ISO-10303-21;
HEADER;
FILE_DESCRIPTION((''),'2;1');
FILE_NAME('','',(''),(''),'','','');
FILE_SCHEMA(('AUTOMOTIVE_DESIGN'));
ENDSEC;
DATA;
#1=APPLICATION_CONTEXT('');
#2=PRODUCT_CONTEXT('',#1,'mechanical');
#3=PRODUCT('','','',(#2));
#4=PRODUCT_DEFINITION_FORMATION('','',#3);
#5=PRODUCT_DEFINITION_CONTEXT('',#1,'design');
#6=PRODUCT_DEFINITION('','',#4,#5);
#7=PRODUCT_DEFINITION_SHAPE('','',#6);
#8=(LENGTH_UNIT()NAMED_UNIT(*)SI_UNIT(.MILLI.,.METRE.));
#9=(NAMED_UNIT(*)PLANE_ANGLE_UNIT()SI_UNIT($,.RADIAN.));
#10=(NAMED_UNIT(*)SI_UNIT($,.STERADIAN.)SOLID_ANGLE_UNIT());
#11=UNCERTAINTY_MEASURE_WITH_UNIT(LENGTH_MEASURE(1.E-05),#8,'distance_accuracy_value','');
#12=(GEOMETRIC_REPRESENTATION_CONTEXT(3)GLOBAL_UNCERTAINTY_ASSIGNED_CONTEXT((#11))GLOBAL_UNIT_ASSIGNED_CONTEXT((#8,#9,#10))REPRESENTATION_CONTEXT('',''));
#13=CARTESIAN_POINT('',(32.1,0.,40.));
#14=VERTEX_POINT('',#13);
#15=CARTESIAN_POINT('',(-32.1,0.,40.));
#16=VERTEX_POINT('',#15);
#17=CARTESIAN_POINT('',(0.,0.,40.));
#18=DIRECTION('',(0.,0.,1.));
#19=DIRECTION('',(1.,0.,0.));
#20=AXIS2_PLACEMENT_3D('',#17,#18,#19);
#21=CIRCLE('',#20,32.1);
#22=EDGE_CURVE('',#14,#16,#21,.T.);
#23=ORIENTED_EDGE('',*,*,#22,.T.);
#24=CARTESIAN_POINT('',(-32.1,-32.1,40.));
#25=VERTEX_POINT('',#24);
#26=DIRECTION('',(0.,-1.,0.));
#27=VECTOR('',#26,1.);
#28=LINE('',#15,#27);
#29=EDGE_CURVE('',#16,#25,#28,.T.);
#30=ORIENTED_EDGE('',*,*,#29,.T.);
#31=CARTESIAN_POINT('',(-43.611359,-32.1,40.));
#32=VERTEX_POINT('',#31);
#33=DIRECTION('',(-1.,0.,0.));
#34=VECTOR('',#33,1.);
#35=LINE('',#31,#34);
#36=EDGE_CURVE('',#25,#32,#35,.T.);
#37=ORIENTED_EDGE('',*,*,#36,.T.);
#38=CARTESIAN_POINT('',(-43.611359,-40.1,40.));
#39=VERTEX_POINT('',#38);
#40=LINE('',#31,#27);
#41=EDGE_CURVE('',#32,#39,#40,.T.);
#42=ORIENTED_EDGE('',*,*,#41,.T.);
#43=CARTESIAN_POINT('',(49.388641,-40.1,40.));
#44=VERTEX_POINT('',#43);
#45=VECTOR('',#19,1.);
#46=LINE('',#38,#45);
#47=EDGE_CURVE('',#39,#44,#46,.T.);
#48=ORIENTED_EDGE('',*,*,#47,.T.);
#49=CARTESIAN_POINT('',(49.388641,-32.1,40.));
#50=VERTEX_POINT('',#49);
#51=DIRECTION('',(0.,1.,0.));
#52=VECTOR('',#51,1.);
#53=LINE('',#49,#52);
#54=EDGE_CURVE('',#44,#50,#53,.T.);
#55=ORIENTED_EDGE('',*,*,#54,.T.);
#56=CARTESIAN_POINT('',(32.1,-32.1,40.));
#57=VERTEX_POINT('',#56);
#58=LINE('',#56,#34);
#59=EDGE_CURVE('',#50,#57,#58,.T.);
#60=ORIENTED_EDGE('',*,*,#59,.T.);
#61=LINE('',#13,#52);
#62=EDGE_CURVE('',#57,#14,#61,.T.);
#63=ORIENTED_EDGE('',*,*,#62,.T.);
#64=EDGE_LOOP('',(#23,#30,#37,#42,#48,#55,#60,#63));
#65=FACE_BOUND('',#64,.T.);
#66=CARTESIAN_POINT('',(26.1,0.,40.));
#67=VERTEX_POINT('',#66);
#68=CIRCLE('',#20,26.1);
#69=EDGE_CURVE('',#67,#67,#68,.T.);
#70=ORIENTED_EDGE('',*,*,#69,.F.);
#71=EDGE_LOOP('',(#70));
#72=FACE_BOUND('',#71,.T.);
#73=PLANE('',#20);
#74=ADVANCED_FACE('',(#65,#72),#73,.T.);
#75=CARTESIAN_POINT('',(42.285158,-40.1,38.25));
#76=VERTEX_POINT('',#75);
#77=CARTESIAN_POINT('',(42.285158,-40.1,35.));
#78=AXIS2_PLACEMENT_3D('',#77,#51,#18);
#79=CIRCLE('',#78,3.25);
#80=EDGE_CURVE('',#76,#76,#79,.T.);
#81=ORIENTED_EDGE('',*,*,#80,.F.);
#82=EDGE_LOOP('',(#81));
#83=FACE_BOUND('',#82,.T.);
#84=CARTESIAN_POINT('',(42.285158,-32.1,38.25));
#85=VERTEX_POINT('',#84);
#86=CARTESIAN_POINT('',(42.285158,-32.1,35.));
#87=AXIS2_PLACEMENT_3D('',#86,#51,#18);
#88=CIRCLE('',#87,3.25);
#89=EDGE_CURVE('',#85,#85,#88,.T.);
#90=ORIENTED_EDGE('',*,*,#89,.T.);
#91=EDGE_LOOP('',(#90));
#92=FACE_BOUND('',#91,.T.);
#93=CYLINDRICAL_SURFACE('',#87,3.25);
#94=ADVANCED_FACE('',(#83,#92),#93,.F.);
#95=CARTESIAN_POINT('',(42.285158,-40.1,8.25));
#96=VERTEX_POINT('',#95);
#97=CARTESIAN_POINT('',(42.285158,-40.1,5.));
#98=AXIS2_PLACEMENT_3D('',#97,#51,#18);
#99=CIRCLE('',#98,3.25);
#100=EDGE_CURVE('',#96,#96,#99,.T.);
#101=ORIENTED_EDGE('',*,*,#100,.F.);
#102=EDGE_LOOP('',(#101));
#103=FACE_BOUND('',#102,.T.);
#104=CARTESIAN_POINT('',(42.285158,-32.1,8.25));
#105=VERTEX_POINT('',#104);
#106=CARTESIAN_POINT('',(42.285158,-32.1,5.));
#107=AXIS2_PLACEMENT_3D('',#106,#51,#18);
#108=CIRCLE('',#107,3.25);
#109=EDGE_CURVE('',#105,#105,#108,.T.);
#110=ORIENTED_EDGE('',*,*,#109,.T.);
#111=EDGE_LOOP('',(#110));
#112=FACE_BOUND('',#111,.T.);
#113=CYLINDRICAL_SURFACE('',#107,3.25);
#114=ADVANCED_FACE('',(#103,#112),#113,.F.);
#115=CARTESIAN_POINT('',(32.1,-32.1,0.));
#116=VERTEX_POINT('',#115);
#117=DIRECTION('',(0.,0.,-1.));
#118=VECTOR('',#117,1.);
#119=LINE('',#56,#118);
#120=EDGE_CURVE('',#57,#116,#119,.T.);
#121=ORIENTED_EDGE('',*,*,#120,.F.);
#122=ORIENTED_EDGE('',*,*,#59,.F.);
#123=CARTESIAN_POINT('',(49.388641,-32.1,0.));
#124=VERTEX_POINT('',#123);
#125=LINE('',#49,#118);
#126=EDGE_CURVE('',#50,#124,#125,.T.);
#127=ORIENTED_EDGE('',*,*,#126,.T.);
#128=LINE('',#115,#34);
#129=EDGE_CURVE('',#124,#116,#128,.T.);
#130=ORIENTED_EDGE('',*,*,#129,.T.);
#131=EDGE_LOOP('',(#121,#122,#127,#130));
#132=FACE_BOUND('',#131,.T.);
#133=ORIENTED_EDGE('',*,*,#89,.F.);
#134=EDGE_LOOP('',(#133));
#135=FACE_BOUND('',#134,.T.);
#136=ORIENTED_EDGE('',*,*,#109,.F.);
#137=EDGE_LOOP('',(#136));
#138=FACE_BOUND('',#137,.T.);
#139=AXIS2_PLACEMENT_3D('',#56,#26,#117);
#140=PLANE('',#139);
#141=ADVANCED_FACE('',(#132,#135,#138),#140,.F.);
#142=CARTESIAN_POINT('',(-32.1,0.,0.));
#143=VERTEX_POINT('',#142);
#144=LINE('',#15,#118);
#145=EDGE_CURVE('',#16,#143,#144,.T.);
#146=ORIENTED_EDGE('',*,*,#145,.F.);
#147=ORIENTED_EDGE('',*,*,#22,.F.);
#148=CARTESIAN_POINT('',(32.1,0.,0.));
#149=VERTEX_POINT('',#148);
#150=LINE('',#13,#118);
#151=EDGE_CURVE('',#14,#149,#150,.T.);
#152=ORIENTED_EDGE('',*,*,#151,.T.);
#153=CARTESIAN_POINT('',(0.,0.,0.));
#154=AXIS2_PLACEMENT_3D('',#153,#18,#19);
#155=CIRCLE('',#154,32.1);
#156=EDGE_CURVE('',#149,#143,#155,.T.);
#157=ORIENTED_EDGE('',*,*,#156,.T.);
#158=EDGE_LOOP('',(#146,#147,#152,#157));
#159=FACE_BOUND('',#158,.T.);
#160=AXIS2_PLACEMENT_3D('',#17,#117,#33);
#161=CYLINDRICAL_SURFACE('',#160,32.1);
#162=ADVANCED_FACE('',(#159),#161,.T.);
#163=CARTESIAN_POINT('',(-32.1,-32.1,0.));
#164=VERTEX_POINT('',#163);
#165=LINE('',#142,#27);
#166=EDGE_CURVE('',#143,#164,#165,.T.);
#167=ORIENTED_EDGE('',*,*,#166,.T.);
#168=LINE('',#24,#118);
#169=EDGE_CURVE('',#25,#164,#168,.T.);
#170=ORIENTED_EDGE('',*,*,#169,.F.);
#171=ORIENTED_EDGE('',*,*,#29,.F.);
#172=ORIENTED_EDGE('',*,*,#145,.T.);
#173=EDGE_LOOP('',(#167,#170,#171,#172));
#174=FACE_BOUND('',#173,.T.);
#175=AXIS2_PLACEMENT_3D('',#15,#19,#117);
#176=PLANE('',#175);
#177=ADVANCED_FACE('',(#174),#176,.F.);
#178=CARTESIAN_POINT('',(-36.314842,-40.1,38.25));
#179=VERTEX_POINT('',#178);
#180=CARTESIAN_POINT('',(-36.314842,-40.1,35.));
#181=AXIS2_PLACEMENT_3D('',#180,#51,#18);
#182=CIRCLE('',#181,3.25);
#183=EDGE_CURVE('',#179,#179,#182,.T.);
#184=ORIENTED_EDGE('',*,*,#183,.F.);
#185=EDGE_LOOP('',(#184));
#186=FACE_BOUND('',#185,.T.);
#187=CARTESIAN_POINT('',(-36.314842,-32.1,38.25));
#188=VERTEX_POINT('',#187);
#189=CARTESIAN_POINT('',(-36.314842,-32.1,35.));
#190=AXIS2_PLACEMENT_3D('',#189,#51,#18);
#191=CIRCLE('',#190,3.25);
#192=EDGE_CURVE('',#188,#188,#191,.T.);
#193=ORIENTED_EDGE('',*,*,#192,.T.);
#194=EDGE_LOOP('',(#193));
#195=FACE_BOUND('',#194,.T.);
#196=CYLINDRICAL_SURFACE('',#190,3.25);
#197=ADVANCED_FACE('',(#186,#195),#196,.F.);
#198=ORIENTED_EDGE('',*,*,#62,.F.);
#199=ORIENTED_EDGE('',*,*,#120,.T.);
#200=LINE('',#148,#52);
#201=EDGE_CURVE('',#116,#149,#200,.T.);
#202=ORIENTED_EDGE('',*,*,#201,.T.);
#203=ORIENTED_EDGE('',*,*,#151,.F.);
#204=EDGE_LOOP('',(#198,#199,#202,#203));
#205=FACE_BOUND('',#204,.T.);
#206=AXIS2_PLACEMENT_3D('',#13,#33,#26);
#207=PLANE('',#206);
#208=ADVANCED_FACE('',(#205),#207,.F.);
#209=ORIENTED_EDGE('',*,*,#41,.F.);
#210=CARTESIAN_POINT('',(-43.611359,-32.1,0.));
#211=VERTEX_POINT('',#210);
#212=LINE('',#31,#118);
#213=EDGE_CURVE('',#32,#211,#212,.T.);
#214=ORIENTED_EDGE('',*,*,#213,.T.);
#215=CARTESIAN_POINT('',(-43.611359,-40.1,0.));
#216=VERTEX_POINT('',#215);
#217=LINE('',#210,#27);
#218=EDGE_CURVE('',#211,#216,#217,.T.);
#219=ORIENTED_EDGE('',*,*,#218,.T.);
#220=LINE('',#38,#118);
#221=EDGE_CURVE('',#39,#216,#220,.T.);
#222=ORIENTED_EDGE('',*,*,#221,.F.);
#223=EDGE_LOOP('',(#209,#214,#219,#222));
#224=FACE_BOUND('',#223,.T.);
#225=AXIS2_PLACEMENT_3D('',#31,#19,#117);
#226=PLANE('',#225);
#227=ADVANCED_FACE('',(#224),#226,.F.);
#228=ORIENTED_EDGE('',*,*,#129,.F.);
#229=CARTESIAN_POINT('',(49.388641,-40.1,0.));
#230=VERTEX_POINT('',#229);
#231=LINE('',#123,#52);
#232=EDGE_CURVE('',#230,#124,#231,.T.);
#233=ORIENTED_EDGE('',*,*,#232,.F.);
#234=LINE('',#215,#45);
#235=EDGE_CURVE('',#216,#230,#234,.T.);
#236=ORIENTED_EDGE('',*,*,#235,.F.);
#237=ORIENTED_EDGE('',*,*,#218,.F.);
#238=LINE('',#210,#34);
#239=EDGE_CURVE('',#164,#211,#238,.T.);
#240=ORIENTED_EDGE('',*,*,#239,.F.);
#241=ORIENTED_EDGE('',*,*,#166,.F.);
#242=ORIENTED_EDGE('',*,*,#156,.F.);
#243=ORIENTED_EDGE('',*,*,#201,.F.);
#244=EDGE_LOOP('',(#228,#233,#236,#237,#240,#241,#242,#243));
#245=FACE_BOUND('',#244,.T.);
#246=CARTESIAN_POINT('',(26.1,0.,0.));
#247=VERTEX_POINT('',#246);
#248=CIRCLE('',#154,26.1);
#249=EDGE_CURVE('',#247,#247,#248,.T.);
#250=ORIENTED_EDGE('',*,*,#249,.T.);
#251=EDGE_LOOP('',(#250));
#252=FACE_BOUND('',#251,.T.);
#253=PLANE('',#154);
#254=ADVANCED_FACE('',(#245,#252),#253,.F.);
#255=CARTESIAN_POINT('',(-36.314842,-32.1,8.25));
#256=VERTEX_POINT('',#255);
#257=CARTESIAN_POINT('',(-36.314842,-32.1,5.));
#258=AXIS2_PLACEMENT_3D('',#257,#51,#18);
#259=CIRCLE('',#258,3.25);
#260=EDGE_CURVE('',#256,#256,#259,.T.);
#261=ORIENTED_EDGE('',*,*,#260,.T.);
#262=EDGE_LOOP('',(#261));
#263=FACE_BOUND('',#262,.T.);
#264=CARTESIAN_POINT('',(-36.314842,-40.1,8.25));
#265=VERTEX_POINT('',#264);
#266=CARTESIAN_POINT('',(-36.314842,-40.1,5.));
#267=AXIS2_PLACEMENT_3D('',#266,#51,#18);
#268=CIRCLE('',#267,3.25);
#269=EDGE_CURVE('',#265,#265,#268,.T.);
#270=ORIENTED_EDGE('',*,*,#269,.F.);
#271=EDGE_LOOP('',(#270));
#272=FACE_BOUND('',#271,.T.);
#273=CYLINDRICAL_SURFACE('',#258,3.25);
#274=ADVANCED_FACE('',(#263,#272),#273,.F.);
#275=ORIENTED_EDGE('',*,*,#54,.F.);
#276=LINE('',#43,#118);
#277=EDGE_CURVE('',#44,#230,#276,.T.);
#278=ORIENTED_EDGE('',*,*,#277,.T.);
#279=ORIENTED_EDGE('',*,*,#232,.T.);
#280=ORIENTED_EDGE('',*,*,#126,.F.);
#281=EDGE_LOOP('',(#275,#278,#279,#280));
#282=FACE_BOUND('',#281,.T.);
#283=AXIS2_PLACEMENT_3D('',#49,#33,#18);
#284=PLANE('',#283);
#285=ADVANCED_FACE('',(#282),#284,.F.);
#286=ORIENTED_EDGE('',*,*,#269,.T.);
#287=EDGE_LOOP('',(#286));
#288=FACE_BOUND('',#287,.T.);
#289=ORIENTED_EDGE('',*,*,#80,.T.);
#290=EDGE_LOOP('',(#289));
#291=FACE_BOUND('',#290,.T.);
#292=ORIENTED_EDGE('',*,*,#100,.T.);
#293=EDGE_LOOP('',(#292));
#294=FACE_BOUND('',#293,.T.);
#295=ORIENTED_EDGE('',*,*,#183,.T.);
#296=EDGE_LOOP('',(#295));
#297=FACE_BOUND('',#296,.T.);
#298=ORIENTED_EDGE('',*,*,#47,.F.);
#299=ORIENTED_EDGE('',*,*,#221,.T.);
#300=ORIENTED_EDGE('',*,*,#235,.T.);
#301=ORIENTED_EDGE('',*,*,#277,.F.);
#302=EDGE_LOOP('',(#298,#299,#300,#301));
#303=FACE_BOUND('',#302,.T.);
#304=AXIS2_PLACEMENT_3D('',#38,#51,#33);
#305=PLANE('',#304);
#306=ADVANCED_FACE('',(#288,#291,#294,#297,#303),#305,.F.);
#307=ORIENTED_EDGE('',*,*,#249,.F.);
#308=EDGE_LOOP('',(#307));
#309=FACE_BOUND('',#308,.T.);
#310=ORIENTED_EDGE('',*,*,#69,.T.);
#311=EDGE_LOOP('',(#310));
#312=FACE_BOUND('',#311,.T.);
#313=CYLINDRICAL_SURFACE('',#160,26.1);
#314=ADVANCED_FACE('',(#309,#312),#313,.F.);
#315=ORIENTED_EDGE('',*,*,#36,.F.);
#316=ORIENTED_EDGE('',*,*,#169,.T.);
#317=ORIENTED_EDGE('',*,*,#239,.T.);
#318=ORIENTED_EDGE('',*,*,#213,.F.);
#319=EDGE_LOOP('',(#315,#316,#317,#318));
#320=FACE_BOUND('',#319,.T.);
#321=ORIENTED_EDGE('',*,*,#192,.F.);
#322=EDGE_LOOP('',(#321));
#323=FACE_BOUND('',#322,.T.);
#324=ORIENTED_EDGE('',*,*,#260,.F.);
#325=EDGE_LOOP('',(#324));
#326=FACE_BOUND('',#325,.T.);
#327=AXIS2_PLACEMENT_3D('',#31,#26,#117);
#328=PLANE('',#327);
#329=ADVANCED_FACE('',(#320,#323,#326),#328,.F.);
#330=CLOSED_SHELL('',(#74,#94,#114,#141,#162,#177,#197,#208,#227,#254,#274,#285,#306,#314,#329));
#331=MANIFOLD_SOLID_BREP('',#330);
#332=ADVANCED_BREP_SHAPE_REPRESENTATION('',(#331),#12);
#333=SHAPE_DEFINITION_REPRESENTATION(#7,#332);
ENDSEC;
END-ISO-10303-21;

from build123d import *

# Parameters (mm, degrees)
SKETCH_1_R              = 26.1
EXTRUDE_1_DEPTH         = 40
HOLE_WIZARD_6_5_6_5_1_D = 6.5


with BuildPart() as part:
    # 草图1 → 凸台-拉伸1 (new body)
    with BuildSketch(Plane.XY):
        with BuildLine():
            Line((-32.1, 0), (-32.1, -32.1))
            Line((-32.1, -32.1), (-43.611358786, -32.1))
            Line((-43.611358786, -32.1), (-43.611358786, -40.1))
            Line((-43.611358786, -40.1), (49.388641214, -40.1))
            Line((49.388641214, -40.1), (49.388641214, -32.1))
            Line((49.388641214, -32.1), (32.1, -32.1))
            Line((32.1, -32.1), (32.1, 0))
            ThreePointArc((32.1, 0), (0, 32.1), (-32.1, 0))
        make_face()
        Circle(SKETCH_1_R, mode=Mode.SUBTRACT)
    extrude(amount=EXTRUDE_1_DEPTH)

    # Ø6.5 (6.5) 直径孔1 (through all)
    with Locations(Plane(origin=(0, -32.1, 0), x_dir=(1, 0, 0), z_dir=(0, 1, 0))):
        with Locations((42.285158123, -5), (42.285158123, -35), (-36.314841877, -35), (-36.314841877, -5)):
            Hole(HOLE_WIZARD_6_5_6_5_1_D / 2)


solid = part.part
